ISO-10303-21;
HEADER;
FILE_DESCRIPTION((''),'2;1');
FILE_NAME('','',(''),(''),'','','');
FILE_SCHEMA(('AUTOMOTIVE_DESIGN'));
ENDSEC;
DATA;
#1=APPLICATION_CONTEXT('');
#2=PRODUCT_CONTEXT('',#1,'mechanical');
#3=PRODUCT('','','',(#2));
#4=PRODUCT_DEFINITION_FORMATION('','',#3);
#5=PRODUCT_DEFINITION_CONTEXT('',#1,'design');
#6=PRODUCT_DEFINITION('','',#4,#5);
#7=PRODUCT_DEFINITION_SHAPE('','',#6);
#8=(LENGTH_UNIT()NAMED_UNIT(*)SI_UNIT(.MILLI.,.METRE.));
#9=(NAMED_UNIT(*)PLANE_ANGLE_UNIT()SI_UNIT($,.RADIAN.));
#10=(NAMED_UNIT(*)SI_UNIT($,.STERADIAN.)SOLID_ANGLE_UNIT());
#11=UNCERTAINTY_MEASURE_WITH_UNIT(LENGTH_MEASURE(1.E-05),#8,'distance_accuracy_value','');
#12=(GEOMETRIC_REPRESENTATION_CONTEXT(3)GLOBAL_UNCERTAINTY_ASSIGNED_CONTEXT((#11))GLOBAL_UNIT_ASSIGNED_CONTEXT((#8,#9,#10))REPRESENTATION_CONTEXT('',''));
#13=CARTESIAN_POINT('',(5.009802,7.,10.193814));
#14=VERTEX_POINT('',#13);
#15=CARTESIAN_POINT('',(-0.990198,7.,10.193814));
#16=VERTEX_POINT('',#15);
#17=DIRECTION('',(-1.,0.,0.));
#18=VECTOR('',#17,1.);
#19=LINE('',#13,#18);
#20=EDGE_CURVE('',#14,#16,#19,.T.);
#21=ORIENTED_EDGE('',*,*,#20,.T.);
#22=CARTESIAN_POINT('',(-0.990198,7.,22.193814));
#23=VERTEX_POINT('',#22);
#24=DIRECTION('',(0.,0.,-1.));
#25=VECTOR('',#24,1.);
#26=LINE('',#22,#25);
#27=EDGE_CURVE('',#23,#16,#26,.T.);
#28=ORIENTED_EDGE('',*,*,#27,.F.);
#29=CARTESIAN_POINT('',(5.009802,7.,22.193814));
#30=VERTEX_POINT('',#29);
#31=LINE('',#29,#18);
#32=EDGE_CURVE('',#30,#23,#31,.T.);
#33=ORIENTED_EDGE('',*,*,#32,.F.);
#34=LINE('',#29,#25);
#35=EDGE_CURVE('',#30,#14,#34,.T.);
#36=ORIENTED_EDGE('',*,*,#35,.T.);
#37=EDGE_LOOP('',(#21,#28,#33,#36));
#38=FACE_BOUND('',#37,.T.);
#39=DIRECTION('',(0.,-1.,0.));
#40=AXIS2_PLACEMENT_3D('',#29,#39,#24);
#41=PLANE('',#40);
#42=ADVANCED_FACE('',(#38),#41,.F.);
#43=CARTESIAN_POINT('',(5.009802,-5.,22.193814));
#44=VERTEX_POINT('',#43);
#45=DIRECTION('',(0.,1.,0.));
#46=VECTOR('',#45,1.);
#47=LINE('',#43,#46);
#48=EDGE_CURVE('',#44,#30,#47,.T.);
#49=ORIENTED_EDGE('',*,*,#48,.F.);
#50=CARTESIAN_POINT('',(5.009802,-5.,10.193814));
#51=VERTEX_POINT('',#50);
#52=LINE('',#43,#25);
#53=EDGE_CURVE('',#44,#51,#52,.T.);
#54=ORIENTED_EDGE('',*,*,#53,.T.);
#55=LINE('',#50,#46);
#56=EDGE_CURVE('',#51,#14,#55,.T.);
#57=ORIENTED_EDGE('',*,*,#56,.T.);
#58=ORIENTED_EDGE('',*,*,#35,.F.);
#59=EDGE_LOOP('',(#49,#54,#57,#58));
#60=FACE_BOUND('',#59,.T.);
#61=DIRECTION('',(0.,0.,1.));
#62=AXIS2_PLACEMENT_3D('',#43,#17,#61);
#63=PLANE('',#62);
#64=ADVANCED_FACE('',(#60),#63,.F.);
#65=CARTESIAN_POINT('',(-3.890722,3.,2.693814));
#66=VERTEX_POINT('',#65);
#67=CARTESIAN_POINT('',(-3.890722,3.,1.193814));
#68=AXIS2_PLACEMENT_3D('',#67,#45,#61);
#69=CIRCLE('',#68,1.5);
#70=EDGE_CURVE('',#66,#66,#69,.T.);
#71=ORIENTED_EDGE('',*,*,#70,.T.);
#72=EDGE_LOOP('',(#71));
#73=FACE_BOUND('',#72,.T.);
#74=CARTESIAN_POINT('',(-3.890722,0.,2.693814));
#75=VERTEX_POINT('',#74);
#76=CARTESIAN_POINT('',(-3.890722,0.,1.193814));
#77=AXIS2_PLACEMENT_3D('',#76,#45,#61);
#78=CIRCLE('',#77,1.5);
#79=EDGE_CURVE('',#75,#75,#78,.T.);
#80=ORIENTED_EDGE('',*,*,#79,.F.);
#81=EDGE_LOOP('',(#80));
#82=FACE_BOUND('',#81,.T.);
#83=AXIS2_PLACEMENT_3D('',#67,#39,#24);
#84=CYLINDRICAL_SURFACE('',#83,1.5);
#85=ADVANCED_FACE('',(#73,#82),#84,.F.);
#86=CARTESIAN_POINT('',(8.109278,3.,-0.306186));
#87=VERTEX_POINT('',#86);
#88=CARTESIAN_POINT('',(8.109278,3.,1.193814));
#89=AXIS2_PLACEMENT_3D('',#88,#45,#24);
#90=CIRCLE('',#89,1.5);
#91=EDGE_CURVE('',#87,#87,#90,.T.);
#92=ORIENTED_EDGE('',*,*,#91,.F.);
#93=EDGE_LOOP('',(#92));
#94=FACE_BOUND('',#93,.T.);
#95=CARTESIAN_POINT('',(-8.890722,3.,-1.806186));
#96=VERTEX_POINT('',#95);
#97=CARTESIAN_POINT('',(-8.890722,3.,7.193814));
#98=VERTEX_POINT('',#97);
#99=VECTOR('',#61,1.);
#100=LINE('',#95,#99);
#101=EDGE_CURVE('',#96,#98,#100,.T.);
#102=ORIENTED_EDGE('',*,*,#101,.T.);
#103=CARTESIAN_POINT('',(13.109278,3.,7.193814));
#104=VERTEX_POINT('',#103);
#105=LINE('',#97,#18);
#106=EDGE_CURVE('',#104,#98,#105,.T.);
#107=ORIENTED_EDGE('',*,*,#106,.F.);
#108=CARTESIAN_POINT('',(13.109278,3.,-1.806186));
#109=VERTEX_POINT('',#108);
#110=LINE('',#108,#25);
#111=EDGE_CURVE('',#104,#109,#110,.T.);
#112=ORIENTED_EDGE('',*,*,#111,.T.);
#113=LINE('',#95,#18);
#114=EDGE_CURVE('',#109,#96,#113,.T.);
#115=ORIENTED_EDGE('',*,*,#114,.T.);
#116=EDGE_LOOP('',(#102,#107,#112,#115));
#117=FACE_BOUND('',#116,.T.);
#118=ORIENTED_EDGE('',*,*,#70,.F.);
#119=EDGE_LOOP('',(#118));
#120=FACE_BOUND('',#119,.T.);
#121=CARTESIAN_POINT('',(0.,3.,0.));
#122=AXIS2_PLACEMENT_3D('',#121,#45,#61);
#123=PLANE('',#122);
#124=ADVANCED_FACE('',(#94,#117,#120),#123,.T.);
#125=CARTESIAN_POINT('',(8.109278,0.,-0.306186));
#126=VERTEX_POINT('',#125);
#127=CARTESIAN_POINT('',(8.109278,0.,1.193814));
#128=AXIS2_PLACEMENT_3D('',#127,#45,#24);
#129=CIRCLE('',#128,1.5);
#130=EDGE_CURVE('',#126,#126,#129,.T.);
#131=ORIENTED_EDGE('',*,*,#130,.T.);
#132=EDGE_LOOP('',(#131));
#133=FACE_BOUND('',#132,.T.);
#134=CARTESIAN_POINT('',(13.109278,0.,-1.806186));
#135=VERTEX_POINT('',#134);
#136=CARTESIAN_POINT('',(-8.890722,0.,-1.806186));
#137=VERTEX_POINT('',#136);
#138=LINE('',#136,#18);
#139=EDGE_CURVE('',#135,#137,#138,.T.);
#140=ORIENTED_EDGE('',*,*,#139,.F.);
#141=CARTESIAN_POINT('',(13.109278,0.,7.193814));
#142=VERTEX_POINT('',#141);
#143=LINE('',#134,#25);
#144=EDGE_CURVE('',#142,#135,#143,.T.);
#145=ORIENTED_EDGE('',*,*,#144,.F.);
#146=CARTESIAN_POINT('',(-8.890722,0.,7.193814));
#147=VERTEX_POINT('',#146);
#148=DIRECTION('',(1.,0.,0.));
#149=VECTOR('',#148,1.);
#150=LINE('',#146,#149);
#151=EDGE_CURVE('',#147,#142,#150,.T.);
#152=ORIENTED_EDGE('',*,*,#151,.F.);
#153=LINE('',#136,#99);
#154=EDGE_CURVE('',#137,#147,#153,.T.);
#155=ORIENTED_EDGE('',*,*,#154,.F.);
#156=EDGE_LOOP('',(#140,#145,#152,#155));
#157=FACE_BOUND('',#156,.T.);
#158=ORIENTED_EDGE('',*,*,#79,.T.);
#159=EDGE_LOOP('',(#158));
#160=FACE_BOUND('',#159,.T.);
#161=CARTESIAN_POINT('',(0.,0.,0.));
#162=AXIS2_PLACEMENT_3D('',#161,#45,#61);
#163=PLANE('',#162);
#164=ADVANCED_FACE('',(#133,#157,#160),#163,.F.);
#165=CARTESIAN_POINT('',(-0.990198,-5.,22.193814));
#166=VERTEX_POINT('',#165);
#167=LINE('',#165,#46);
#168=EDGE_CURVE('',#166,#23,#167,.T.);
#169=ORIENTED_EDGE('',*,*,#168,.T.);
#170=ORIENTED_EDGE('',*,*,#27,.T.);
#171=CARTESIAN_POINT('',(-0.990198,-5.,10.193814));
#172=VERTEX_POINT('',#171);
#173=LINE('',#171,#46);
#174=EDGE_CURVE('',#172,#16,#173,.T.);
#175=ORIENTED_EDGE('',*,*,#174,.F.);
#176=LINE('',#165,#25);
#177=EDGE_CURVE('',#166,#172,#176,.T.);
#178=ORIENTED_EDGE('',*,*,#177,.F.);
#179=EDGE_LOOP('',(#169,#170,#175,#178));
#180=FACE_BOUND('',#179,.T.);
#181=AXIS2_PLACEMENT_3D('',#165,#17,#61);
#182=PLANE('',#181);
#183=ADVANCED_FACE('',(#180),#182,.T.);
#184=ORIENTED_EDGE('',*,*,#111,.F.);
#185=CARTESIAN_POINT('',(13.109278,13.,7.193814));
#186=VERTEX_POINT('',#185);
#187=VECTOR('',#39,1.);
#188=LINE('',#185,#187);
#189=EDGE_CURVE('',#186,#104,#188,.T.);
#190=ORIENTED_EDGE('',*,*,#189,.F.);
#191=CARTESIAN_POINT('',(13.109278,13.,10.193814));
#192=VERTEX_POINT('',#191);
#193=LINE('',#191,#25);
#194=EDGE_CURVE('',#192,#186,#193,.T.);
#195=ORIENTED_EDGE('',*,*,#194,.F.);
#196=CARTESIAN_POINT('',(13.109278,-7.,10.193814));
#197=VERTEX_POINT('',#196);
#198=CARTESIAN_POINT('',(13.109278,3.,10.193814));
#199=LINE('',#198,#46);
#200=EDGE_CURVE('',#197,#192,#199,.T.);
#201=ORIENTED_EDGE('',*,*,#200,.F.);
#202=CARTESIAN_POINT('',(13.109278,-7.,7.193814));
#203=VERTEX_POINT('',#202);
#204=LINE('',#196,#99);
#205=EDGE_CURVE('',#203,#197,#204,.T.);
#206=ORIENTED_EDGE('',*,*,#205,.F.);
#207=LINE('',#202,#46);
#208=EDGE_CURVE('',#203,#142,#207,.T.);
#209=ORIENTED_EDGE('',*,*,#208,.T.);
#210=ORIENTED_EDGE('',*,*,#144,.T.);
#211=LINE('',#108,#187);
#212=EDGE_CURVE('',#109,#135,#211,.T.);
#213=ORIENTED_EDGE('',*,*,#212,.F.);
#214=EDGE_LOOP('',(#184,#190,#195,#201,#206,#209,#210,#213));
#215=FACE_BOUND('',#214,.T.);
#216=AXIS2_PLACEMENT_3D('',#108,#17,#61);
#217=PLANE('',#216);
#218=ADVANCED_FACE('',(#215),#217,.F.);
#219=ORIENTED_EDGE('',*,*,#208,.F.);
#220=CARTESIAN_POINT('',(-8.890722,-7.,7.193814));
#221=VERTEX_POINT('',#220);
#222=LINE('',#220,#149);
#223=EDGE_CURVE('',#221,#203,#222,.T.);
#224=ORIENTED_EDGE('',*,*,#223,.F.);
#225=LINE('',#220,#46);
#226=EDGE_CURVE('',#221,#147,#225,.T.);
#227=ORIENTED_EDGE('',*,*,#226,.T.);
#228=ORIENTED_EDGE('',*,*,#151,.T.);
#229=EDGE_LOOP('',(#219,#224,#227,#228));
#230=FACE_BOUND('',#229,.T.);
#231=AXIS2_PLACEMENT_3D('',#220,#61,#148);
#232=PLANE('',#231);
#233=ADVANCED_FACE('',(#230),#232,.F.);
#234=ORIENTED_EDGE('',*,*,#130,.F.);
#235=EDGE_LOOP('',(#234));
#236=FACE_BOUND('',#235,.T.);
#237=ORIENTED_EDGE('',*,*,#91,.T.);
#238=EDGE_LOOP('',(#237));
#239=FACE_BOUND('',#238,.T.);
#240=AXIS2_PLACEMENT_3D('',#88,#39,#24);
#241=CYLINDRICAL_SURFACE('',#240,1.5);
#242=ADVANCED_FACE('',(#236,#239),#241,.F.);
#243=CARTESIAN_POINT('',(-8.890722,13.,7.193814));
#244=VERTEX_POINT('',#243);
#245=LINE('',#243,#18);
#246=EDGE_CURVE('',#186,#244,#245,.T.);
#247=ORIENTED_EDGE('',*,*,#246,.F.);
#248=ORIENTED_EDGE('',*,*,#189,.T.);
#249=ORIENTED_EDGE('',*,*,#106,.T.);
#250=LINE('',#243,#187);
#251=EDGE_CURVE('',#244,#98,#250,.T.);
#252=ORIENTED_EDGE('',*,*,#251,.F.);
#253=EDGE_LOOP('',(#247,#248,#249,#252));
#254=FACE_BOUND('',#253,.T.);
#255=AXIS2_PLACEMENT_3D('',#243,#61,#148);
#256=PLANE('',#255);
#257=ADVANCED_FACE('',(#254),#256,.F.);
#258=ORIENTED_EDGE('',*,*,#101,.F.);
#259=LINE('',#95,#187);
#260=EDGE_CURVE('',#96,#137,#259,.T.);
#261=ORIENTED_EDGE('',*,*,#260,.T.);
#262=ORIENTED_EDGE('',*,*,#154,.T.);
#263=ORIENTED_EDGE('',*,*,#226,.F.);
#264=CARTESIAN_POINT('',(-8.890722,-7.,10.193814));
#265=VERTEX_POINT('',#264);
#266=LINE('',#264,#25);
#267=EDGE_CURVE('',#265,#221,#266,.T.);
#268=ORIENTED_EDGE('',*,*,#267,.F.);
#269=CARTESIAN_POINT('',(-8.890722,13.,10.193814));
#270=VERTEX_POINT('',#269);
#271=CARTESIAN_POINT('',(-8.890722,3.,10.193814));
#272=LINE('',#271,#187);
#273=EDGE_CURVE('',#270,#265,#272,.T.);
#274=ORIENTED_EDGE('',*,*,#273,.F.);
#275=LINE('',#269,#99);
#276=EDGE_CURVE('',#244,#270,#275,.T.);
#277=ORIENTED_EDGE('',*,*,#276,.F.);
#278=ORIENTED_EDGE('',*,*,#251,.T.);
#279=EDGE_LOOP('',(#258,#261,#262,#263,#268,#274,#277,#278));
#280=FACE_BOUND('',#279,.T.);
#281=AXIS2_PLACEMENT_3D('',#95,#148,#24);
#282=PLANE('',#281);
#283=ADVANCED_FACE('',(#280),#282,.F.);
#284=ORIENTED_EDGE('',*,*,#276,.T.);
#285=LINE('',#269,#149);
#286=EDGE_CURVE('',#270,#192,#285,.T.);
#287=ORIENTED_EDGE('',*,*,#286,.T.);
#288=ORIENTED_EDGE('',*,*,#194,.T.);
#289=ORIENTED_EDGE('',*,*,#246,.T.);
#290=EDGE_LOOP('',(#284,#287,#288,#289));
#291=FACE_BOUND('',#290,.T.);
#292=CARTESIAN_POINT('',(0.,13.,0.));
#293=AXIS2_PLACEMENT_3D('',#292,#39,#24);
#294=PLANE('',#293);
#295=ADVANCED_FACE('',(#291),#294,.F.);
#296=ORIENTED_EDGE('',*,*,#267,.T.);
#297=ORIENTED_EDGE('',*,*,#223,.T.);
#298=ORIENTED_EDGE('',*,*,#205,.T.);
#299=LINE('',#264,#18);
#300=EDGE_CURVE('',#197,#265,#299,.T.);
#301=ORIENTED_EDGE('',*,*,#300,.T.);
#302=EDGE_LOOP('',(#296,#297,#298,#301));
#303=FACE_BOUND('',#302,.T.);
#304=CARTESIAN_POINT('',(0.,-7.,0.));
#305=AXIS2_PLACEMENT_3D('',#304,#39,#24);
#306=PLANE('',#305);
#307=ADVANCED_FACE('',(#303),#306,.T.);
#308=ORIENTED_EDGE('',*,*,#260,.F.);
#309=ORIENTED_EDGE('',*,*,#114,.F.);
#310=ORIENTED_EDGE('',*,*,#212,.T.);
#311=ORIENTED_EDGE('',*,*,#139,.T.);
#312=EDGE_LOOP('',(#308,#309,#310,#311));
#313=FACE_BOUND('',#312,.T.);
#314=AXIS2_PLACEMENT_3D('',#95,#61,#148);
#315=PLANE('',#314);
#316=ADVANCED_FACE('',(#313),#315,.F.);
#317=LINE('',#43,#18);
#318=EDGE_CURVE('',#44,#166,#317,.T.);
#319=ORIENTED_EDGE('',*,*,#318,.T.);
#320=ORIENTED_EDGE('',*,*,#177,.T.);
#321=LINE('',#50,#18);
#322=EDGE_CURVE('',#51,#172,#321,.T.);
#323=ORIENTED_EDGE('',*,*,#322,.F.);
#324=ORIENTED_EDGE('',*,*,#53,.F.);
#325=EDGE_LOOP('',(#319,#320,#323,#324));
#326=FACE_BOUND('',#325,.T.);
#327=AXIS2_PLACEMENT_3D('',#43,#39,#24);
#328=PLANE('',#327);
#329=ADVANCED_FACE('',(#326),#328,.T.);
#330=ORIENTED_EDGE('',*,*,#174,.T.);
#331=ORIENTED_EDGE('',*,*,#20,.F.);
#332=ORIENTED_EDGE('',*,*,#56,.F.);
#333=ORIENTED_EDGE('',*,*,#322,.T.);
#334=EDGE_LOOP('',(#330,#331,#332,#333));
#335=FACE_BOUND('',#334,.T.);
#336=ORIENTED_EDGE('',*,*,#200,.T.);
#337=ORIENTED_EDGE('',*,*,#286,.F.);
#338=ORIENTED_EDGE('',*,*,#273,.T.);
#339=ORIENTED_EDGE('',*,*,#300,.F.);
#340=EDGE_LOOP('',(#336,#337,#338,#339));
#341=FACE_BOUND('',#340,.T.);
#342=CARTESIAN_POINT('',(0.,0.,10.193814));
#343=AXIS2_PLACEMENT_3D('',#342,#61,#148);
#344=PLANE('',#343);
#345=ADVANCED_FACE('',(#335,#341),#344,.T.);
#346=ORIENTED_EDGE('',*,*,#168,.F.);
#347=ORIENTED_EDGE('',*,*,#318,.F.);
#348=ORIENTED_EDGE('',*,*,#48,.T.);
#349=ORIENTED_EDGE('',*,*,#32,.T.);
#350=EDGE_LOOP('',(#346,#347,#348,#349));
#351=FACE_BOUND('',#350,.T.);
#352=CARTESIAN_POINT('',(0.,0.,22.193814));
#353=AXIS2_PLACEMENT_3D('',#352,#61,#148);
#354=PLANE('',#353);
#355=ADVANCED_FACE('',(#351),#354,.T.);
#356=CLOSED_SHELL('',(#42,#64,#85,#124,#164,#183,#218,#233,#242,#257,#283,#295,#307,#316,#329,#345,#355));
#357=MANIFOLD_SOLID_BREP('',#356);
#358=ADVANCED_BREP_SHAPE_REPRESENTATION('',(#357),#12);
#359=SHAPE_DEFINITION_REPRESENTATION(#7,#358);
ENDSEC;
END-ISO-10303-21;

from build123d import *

# Parameters (mm, degrees)
ESQUISSE1_W        = 22
ESQUISSE1_H        = 7
ESQUISSE1_R        = 1.5
BOSS_EXTRU_1_DEPTH = 3
ESQUISSE4_W        = 22
ESQUISSE4_H        = 3
BOSS_EXTRU_2_DEPTH = 5
ESQUISSE5_W        = 22
ESQUISSE5_H        = 3
BOSS_EXTRU_3_DEPTH = 10
ESQUISSE6_W        = 22
ESQUISSE6_H        = 3
BOSS_EXTRU_4_DEPTH = 7
ESQUISSE7_W        = 6
ESQUISSE7_H        = 12
BOSS_EXTRU_5_DEPTH = 12


with BuildPart() as part:
    # Esquisse1 → Boss.-Extru.1 (new body)
    with BuildSketch(Plane(origin=(0, 0, 0), x_dir=(1, 0, 0), z_dir=(0, 1, 0))):
        with Locations((2.109278351, -1.693814433)):
            Rectangle(ESQUISSE1_W, ESQUISSE1_H)
        with Locations(Location((-3.890721649, -1.193814433, 0), (0, 0, 270))):
            Circle(ESQUISSE1_R, mode=Mode.SUBTRACT)
        with Locations(Location((8.109278351, -1.193814433, 0), (0, 0, 90))):
            Circle(ESQUISSE1_R, mode=Mode.SUBTRACT)
    extrude(amount=BOSS_EXTRU_1_DEPTH)

    # Esquisse4 → Boss.-Extru.2 (add)
    with BuildSketch(Plane.XY.offset(5.193814433)):
        with Locations((2.109278351, 1.5)):
            Rectangle(ESQUISSE4_W, ESQUISSE4_H)
    extrude(amount=BOSS_EXTRU_2_DEPTH)

    # Esquisse5 → Boss.-Extru.3 (add)
    with BuildSketch(Plane(origin=(0, 3, 0), x_dir=(1, 0, 0), z_dir=(0, 1, 0))):
        with Locations((2.109278351, -8.693814433)):
            Rectangle(ESQUISSE5_W, ESQUISSE5_H)
    extrude(amount=BOSS_EXTRU_3_DEPTH)

    # Esquisse6 → Boss.-Extru.4 (add)
    with BuildSketch(Plane.XZ):
        with Locations((2.109278351, 8.693814433)):
            Rectangle(ESQUISSE6_W, ESQUISSE6_H)
    extrude(amount=BOSS_EXTRU_4_DEPTH)

    # Esquisse7 → Boss.-Extru.5 (add)
    with BuildSketch(Plane.XY.offset(10.193814433)):
        with Locations((2.009802238, 1)):
            Rectangle(ESQUISSE7_W, ESQUISSE7_H)
    extrude(amount=BOSS_EXTRU_5_DEPTH)


solid = part.part
